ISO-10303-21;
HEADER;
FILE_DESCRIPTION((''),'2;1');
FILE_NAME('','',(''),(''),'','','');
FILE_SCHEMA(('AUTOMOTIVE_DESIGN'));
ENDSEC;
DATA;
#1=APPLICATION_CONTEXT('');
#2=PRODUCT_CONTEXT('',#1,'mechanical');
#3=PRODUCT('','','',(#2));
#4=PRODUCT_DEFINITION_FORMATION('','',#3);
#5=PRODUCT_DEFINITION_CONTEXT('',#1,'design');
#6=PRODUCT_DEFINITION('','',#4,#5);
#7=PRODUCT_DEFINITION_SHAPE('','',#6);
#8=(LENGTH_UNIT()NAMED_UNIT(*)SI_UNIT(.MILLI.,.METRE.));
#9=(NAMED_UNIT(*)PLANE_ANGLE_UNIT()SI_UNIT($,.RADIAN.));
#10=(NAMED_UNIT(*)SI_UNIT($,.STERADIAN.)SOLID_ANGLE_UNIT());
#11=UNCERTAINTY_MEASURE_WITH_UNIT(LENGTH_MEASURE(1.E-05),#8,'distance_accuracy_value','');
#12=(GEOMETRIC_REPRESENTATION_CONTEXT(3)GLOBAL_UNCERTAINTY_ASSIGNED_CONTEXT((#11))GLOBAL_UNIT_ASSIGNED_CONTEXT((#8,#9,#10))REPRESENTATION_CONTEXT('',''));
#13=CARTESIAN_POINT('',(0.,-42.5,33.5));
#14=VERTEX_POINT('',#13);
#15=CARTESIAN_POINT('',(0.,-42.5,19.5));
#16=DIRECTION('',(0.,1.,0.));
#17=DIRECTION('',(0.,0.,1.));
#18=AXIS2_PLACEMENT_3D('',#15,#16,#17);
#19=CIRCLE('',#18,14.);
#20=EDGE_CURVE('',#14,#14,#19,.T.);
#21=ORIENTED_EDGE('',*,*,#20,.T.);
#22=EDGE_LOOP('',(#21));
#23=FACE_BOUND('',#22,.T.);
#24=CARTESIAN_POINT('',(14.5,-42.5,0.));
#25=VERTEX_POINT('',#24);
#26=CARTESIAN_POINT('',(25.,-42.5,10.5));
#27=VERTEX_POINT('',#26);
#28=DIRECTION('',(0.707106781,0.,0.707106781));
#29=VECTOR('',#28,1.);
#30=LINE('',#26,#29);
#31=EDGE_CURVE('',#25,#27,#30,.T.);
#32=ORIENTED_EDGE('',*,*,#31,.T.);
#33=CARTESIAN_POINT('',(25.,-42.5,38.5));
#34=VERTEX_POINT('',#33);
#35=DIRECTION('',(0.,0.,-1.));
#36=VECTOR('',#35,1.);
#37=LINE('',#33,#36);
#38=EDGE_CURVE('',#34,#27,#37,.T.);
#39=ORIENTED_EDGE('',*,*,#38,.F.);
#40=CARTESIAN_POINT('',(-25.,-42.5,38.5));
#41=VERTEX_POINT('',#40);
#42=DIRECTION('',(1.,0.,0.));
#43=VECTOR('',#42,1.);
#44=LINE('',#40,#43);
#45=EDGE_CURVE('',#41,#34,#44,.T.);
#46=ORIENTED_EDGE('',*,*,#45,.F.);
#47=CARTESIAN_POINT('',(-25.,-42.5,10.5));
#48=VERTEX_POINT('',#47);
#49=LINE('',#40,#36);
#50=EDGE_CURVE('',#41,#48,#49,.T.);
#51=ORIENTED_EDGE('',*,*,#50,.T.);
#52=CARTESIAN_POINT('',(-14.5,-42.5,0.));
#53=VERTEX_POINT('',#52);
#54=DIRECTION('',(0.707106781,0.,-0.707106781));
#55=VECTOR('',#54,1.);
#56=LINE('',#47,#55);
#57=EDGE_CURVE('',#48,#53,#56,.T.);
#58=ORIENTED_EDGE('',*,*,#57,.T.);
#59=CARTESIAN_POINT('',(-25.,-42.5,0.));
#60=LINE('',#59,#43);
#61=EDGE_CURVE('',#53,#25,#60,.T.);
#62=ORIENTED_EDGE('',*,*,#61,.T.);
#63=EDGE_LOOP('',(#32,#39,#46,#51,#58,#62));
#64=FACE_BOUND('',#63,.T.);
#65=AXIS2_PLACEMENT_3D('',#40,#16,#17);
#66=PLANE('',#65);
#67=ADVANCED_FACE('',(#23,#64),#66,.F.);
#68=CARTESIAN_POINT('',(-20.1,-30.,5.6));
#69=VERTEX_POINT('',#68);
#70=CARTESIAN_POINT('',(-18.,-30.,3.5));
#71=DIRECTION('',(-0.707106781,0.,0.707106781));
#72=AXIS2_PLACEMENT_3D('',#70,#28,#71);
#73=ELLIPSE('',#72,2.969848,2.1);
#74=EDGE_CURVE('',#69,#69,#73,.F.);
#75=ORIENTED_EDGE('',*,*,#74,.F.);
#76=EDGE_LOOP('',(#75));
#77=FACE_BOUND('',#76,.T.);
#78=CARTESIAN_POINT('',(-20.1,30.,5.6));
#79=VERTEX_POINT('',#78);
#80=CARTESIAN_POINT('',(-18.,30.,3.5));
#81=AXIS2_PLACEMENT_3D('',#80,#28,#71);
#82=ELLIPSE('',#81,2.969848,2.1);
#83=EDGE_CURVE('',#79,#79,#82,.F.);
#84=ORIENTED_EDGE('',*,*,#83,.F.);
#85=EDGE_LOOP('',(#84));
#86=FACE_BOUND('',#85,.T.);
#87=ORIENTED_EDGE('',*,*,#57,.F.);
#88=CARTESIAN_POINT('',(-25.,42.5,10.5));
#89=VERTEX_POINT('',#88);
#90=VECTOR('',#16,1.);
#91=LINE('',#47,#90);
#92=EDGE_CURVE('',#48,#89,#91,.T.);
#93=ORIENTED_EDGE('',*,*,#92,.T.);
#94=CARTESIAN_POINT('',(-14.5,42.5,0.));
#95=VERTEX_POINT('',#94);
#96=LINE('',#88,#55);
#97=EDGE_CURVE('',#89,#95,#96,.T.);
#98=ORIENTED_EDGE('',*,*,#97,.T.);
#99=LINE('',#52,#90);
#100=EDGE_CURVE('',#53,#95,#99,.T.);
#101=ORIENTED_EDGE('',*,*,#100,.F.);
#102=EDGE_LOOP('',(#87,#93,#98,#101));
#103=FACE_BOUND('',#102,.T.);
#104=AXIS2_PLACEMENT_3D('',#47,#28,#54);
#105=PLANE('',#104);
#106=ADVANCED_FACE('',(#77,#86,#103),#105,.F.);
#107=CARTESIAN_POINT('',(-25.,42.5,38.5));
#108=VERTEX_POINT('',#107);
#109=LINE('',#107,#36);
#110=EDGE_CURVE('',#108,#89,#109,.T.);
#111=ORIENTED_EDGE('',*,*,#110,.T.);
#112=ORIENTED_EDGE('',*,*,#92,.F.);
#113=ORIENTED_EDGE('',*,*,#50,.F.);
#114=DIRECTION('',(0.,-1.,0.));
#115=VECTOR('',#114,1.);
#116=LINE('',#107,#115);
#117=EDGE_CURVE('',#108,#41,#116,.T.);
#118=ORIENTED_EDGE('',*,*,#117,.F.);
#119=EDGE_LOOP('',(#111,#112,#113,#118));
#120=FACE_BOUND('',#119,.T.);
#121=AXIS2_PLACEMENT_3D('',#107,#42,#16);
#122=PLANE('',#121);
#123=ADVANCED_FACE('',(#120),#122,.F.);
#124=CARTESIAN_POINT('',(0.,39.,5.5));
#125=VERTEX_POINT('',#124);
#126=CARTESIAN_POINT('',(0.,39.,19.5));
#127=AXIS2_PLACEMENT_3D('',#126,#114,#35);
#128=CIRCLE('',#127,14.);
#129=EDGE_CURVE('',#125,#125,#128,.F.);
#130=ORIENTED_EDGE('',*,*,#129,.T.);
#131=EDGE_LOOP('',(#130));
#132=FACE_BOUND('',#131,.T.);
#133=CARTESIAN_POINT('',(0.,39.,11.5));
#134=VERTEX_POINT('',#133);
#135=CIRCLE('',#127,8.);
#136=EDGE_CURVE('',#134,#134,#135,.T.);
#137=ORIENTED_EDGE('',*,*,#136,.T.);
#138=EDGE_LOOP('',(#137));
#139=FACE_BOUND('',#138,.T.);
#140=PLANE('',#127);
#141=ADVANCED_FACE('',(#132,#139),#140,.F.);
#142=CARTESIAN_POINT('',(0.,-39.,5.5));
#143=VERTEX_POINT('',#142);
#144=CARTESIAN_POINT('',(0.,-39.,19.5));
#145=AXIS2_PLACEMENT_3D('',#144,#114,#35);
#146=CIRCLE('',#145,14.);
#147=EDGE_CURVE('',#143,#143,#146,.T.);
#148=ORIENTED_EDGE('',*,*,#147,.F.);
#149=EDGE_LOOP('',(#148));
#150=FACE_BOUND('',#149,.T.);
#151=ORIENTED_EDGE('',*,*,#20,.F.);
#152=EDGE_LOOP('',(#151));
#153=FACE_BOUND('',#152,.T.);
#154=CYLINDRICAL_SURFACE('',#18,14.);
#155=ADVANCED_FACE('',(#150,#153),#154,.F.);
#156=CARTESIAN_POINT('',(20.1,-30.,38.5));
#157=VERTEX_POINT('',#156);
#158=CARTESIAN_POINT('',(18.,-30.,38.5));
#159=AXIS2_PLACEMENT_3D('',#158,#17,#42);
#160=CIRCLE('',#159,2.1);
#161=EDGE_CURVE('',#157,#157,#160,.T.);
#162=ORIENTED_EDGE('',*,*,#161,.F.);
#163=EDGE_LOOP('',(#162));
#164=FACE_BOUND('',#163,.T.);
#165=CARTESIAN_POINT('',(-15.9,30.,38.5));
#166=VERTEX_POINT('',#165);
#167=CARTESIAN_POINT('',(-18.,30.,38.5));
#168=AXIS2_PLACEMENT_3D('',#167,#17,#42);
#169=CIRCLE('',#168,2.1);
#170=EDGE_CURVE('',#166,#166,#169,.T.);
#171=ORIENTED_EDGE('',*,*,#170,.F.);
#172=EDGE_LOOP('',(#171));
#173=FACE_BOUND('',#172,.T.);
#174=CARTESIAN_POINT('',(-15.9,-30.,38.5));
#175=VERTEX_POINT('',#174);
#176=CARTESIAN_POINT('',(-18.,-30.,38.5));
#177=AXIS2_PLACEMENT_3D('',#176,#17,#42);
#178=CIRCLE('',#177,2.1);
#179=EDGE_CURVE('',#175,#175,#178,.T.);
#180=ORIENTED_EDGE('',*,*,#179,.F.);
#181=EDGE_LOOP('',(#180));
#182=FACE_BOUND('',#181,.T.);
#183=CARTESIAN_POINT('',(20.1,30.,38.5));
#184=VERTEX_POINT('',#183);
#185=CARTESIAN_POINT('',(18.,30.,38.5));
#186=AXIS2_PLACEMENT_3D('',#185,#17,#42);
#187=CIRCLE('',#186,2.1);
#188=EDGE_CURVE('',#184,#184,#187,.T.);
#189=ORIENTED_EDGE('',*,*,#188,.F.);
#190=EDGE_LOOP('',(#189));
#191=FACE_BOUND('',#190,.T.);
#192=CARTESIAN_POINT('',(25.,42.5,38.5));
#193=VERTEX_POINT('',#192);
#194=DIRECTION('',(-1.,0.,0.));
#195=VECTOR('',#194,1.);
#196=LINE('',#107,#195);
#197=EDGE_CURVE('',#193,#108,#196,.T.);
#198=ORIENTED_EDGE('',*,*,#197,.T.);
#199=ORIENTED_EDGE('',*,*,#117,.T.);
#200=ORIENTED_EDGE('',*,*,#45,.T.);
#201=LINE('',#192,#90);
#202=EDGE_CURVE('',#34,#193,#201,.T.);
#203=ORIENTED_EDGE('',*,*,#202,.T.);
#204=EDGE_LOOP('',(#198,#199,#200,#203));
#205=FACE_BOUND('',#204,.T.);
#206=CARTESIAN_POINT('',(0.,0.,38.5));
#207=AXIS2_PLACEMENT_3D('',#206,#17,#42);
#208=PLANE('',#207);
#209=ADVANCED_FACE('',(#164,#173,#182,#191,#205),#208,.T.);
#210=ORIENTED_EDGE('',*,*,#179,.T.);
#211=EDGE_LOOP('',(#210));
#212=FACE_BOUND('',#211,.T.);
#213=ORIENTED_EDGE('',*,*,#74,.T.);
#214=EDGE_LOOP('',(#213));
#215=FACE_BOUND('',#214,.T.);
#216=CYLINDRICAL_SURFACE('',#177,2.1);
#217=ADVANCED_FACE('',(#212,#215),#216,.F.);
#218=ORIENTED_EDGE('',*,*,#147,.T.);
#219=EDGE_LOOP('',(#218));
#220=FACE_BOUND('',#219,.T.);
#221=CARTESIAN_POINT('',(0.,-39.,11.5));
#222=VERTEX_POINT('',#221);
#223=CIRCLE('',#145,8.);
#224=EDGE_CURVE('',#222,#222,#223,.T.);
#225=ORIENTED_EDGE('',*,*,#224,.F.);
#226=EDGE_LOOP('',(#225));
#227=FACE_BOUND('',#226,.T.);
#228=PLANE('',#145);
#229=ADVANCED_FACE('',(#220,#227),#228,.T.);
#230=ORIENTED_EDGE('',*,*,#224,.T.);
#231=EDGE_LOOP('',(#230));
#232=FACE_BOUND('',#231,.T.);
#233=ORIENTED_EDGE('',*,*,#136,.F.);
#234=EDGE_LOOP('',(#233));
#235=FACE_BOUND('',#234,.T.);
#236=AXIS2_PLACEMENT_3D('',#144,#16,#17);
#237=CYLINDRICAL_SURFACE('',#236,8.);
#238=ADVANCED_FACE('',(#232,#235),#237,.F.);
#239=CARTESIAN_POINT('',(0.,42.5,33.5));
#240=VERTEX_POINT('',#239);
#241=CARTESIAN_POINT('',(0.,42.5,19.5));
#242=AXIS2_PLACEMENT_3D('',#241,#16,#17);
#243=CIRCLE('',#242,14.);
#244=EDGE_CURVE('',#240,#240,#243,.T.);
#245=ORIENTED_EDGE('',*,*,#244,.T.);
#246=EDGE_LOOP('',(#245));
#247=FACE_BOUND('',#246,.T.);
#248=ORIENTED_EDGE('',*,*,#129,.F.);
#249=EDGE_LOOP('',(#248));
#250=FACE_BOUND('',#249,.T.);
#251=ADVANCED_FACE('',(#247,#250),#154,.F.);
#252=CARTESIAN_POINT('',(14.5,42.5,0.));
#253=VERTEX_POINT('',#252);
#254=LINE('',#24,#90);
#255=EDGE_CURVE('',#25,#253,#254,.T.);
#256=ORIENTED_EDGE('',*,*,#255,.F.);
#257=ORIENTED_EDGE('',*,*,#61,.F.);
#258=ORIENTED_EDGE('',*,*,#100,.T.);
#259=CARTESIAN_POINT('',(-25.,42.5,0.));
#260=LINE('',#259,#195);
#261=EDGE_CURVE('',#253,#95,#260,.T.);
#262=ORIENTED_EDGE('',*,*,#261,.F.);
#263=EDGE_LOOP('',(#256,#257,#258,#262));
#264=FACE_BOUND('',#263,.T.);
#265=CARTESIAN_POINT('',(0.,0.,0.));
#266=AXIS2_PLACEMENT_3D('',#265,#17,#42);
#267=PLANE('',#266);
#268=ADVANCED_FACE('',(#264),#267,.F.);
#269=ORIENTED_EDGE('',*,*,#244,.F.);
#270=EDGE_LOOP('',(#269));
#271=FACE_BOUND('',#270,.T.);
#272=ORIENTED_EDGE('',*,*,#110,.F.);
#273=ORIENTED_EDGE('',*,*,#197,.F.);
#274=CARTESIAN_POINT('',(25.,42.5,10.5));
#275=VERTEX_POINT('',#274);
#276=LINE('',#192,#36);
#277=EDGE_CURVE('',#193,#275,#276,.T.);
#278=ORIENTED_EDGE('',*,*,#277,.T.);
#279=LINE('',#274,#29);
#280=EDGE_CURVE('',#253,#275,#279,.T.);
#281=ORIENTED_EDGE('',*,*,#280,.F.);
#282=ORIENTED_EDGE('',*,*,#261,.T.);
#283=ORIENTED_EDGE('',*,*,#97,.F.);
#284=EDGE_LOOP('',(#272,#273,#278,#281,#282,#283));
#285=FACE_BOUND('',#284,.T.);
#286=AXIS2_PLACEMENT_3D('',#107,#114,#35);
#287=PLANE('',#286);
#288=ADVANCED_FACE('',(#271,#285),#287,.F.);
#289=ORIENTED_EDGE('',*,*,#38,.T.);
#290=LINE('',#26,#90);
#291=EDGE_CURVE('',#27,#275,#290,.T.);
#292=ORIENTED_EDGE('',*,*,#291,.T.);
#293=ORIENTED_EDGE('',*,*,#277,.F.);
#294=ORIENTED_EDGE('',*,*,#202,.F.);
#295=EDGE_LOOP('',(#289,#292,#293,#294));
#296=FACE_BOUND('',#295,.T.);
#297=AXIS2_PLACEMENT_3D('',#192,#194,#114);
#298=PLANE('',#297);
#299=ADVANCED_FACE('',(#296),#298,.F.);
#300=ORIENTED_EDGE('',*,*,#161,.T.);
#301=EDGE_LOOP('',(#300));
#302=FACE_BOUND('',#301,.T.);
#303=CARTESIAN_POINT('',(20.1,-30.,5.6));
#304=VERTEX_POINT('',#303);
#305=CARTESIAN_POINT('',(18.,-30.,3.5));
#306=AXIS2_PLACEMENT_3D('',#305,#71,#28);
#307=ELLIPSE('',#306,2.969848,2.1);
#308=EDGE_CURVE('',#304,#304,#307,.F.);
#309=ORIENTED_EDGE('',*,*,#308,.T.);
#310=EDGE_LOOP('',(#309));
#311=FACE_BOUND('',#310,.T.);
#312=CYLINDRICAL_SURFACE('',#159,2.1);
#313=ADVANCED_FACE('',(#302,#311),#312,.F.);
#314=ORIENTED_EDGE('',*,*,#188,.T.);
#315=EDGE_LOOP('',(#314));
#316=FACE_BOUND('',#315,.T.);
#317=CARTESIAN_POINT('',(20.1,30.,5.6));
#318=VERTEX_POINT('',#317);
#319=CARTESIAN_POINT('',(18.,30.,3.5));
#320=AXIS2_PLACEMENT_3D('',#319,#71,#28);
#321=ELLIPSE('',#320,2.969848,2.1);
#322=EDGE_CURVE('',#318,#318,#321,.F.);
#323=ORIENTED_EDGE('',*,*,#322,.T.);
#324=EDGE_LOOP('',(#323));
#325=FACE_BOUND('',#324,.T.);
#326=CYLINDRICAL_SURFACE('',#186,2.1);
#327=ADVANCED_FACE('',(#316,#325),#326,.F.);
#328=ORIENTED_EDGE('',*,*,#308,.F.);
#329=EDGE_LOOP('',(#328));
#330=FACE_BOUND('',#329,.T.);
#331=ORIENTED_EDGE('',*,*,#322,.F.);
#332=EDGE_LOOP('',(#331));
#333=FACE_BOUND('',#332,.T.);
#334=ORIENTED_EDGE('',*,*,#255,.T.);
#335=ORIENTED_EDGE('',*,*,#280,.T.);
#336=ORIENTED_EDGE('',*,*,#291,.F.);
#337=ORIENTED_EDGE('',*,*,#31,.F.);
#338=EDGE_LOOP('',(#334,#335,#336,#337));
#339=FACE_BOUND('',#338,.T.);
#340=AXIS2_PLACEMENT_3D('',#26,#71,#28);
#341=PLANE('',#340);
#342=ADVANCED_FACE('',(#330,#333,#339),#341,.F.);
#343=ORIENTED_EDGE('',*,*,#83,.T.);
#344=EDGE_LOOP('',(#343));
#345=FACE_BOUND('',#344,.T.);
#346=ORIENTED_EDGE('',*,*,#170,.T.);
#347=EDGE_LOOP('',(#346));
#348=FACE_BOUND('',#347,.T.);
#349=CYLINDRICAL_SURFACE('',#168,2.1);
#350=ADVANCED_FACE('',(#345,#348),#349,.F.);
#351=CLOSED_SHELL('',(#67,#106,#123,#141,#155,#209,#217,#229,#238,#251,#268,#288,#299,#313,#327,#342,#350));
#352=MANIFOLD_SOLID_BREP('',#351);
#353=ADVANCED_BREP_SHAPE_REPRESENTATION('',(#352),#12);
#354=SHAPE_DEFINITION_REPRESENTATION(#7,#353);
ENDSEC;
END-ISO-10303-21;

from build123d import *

# Parameters (mm, degrees)
SKETCH1_W           = 50
SKETCH1_H           = 85
BOSS_EXTRUDE1_DEPTH = 38.5
M5_TAPPED_HOLE1_D   = 4.2
SKETCH6_R           = 14
CUT_EXTRUDE1_DEPTH  = 86
SKETCH8_R           = 14
SKETCH8_R_2         = 8
BOSS_EXTRUDE2_DEPTH = 39


with BuildPart() as part:
    # Sketch1 → Boss-Extrude1 (new body)
    with BuildSketch(Plane.XY):
        Rectangle(SKETCH1_W, SKETCH1_H)
    extrude(amount=BOSS_EXTRUDE1_DEPTH)

    # M5 Tapped Hole1 (through all)
    with Locations(Plane.XY.offset(38.5)):
        with Locations((-18, 30), (18, 30), (18, -30), (-18, -30)):
            Hole(M5_TAPPED_HOLE1_D / 2)

    # Sketch6 → Cut-Extrude1 (cut, through all)
    with BuildSketch(Plane(origin=(0, 42.5, 0), x_dir=(1, 0, 0), z_dir=(0, 1, 0))):
        with Locations((0, -19.5)):
            Circle(SKETCH6_R)
        Polygon((-25, -10.5), (-14.5, 0), (-25, 0), align=None)
        Polygon((25, -10.5), (14.5, 0), (25, 0), align=None)
    extrude(amount=-CUT_EXTRUDE1_DEPTH, mode=Mode.SUBTRACT)

    # Sketch8 → Boss-Extrude2 (add, symmetric)
    with BuildSketch(Plane(origin=(0, 0, 0), x_dir=(-1, 0, 0), z_dir=(0, -1, 0))):
        with Locations((0, -19.5)):
            Circle(SKETCH8_R)
        with Locations((0, -19.5)):
            Circle(SKETCH8_R_2, mode=Mode.SUBTRACT)
    extrude(amount=BOSS_EXTRUDE2_DEPTH, both=True)


solid = part.part
